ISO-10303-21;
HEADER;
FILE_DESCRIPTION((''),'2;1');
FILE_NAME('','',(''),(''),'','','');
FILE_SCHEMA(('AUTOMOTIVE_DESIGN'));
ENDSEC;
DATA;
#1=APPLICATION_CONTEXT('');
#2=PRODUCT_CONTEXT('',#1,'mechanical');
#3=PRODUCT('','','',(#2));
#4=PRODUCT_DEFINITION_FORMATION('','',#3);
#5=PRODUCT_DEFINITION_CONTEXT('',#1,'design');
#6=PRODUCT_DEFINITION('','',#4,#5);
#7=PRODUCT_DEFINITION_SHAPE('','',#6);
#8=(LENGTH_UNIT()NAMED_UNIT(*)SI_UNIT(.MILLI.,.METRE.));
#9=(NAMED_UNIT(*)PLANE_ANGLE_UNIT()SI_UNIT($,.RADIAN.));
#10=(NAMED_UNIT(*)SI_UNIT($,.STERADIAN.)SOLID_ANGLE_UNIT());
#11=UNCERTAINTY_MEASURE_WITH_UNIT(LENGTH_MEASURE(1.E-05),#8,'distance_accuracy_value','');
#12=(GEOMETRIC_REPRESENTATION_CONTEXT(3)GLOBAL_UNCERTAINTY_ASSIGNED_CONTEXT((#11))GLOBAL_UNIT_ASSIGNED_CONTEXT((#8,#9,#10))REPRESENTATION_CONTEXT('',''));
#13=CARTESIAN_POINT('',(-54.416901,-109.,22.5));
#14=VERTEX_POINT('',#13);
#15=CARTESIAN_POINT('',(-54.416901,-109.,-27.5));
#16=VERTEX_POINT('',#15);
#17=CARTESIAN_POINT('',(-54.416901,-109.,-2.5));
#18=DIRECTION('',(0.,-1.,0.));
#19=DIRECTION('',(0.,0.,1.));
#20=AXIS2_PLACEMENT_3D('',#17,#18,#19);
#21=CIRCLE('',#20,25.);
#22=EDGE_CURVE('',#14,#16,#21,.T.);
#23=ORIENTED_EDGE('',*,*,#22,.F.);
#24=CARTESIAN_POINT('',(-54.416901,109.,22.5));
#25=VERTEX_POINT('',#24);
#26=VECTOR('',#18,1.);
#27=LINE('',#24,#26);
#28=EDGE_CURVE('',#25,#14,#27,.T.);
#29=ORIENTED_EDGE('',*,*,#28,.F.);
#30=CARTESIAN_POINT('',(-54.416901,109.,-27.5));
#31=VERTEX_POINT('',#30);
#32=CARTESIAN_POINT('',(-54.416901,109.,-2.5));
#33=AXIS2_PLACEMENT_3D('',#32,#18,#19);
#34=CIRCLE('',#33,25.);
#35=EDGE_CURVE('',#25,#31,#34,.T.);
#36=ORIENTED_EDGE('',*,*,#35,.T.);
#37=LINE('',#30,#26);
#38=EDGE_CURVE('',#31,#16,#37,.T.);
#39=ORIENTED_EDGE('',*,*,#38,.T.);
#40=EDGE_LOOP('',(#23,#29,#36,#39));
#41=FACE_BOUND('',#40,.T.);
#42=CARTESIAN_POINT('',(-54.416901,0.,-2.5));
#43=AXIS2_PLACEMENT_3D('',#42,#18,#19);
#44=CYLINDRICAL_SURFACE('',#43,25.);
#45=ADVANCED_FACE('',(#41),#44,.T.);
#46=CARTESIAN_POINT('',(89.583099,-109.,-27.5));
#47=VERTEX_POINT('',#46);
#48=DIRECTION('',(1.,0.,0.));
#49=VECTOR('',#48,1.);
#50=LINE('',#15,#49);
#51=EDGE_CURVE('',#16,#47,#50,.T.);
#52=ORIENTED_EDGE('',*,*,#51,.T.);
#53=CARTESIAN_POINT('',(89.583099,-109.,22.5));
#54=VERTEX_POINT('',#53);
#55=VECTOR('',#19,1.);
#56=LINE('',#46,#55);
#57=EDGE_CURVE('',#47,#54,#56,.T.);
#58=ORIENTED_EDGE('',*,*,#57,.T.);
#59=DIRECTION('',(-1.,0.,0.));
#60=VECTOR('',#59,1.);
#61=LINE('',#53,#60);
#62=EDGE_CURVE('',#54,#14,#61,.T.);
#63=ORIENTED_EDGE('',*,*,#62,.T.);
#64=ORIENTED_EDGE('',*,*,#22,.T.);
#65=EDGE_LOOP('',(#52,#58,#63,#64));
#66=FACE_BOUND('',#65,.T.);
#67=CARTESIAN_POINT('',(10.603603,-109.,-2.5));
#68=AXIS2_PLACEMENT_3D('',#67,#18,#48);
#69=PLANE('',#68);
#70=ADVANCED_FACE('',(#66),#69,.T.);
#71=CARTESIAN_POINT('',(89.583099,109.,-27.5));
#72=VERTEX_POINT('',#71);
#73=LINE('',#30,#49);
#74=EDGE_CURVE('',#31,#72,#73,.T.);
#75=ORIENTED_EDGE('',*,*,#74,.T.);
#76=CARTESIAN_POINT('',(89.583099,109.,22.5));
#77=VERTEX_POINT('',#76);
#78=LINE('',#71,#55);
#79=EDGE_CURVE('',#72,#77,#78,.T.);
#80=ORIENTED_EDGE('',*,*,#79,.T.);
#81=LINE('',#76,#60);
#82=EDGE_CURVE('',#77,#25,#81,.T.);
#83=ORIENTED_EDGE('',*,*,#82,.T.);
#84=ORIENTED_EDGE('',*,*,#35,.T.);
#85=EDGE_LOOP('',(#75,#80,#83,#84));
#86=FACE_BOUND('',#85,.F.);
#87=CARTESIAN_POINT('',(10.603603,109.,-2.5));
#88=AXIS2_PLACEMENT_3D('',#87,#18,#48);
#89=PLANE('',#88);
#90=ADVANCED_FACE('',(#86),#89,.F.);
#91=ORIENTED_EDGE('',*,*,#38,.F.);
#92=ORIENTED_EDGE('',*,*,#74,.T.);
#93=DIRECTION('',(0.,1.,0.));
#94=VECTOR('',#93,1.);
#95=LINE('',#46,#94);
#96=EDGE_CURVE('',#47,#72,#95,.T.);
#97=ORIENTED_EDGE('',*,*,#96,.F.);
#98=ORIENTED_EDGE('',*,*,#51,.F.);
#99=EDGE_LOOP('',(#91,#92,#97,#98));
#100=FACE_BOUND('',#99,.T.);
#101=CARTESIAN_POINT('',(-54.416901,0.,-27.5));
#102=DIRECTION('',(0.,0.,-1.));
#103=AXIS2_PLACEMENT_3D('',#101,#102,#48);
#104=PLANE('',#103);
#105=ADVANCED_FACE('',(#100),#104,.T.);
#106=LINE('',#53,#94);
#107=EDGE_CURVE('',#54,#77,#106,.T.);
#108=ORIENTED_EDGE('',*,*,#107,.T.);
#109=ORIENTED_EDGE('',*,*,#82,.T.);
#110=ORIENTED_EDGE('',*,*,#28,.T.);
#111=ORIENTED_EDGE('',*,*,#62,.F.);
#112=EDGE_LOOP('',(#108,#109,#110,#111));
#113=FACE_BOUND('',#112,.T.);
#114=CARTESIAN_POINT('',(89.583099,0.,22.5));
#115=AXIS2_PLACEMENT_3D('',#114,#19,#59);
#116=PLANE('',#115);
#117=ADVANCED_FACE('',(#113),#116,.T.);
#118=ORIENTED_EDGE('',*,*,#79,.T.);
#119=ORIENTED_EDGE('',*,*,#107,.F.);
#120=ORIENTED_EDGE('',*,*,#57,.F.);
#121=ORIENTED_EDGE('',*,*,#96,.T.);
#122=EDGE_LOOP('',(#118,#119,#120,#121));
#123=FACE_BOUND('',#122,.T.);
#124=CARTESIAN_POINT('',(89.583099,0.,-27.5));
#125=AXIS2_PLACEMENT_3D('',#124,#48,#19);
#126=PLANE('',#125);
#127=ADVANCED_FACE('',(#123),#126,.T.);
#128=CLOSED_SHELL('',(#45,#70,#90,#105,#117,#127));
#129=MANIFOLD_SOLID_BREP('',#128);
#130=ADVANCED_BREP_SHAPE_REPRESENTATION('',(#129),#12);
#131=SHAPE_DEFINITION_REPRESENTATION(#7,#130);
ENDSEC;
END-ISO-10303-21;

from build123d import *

# Parameters (mm, degrees)
F1_DEPTH = 109


with BuildPart() as f1:
    # F0 (on Front) → F1 (new body, symmetric)
    with BuildSketch(Plane.XZ):
        with BuildLine():
            Line((89.583099, 22.5), (-54.416901, 22.5))
            ThreePointArc((-54.416901, 22.5), (-79.416901, -2.5), (-54.416901, -27.5))
            Line((-54.416901, -27.5), (89.583099, -27.5))
            Line((89.583099, -27.5), (89.583099, 22.5))
        make_face()
    extrude(amount=F1_DEPTH, both=True)


solid = f1.part
